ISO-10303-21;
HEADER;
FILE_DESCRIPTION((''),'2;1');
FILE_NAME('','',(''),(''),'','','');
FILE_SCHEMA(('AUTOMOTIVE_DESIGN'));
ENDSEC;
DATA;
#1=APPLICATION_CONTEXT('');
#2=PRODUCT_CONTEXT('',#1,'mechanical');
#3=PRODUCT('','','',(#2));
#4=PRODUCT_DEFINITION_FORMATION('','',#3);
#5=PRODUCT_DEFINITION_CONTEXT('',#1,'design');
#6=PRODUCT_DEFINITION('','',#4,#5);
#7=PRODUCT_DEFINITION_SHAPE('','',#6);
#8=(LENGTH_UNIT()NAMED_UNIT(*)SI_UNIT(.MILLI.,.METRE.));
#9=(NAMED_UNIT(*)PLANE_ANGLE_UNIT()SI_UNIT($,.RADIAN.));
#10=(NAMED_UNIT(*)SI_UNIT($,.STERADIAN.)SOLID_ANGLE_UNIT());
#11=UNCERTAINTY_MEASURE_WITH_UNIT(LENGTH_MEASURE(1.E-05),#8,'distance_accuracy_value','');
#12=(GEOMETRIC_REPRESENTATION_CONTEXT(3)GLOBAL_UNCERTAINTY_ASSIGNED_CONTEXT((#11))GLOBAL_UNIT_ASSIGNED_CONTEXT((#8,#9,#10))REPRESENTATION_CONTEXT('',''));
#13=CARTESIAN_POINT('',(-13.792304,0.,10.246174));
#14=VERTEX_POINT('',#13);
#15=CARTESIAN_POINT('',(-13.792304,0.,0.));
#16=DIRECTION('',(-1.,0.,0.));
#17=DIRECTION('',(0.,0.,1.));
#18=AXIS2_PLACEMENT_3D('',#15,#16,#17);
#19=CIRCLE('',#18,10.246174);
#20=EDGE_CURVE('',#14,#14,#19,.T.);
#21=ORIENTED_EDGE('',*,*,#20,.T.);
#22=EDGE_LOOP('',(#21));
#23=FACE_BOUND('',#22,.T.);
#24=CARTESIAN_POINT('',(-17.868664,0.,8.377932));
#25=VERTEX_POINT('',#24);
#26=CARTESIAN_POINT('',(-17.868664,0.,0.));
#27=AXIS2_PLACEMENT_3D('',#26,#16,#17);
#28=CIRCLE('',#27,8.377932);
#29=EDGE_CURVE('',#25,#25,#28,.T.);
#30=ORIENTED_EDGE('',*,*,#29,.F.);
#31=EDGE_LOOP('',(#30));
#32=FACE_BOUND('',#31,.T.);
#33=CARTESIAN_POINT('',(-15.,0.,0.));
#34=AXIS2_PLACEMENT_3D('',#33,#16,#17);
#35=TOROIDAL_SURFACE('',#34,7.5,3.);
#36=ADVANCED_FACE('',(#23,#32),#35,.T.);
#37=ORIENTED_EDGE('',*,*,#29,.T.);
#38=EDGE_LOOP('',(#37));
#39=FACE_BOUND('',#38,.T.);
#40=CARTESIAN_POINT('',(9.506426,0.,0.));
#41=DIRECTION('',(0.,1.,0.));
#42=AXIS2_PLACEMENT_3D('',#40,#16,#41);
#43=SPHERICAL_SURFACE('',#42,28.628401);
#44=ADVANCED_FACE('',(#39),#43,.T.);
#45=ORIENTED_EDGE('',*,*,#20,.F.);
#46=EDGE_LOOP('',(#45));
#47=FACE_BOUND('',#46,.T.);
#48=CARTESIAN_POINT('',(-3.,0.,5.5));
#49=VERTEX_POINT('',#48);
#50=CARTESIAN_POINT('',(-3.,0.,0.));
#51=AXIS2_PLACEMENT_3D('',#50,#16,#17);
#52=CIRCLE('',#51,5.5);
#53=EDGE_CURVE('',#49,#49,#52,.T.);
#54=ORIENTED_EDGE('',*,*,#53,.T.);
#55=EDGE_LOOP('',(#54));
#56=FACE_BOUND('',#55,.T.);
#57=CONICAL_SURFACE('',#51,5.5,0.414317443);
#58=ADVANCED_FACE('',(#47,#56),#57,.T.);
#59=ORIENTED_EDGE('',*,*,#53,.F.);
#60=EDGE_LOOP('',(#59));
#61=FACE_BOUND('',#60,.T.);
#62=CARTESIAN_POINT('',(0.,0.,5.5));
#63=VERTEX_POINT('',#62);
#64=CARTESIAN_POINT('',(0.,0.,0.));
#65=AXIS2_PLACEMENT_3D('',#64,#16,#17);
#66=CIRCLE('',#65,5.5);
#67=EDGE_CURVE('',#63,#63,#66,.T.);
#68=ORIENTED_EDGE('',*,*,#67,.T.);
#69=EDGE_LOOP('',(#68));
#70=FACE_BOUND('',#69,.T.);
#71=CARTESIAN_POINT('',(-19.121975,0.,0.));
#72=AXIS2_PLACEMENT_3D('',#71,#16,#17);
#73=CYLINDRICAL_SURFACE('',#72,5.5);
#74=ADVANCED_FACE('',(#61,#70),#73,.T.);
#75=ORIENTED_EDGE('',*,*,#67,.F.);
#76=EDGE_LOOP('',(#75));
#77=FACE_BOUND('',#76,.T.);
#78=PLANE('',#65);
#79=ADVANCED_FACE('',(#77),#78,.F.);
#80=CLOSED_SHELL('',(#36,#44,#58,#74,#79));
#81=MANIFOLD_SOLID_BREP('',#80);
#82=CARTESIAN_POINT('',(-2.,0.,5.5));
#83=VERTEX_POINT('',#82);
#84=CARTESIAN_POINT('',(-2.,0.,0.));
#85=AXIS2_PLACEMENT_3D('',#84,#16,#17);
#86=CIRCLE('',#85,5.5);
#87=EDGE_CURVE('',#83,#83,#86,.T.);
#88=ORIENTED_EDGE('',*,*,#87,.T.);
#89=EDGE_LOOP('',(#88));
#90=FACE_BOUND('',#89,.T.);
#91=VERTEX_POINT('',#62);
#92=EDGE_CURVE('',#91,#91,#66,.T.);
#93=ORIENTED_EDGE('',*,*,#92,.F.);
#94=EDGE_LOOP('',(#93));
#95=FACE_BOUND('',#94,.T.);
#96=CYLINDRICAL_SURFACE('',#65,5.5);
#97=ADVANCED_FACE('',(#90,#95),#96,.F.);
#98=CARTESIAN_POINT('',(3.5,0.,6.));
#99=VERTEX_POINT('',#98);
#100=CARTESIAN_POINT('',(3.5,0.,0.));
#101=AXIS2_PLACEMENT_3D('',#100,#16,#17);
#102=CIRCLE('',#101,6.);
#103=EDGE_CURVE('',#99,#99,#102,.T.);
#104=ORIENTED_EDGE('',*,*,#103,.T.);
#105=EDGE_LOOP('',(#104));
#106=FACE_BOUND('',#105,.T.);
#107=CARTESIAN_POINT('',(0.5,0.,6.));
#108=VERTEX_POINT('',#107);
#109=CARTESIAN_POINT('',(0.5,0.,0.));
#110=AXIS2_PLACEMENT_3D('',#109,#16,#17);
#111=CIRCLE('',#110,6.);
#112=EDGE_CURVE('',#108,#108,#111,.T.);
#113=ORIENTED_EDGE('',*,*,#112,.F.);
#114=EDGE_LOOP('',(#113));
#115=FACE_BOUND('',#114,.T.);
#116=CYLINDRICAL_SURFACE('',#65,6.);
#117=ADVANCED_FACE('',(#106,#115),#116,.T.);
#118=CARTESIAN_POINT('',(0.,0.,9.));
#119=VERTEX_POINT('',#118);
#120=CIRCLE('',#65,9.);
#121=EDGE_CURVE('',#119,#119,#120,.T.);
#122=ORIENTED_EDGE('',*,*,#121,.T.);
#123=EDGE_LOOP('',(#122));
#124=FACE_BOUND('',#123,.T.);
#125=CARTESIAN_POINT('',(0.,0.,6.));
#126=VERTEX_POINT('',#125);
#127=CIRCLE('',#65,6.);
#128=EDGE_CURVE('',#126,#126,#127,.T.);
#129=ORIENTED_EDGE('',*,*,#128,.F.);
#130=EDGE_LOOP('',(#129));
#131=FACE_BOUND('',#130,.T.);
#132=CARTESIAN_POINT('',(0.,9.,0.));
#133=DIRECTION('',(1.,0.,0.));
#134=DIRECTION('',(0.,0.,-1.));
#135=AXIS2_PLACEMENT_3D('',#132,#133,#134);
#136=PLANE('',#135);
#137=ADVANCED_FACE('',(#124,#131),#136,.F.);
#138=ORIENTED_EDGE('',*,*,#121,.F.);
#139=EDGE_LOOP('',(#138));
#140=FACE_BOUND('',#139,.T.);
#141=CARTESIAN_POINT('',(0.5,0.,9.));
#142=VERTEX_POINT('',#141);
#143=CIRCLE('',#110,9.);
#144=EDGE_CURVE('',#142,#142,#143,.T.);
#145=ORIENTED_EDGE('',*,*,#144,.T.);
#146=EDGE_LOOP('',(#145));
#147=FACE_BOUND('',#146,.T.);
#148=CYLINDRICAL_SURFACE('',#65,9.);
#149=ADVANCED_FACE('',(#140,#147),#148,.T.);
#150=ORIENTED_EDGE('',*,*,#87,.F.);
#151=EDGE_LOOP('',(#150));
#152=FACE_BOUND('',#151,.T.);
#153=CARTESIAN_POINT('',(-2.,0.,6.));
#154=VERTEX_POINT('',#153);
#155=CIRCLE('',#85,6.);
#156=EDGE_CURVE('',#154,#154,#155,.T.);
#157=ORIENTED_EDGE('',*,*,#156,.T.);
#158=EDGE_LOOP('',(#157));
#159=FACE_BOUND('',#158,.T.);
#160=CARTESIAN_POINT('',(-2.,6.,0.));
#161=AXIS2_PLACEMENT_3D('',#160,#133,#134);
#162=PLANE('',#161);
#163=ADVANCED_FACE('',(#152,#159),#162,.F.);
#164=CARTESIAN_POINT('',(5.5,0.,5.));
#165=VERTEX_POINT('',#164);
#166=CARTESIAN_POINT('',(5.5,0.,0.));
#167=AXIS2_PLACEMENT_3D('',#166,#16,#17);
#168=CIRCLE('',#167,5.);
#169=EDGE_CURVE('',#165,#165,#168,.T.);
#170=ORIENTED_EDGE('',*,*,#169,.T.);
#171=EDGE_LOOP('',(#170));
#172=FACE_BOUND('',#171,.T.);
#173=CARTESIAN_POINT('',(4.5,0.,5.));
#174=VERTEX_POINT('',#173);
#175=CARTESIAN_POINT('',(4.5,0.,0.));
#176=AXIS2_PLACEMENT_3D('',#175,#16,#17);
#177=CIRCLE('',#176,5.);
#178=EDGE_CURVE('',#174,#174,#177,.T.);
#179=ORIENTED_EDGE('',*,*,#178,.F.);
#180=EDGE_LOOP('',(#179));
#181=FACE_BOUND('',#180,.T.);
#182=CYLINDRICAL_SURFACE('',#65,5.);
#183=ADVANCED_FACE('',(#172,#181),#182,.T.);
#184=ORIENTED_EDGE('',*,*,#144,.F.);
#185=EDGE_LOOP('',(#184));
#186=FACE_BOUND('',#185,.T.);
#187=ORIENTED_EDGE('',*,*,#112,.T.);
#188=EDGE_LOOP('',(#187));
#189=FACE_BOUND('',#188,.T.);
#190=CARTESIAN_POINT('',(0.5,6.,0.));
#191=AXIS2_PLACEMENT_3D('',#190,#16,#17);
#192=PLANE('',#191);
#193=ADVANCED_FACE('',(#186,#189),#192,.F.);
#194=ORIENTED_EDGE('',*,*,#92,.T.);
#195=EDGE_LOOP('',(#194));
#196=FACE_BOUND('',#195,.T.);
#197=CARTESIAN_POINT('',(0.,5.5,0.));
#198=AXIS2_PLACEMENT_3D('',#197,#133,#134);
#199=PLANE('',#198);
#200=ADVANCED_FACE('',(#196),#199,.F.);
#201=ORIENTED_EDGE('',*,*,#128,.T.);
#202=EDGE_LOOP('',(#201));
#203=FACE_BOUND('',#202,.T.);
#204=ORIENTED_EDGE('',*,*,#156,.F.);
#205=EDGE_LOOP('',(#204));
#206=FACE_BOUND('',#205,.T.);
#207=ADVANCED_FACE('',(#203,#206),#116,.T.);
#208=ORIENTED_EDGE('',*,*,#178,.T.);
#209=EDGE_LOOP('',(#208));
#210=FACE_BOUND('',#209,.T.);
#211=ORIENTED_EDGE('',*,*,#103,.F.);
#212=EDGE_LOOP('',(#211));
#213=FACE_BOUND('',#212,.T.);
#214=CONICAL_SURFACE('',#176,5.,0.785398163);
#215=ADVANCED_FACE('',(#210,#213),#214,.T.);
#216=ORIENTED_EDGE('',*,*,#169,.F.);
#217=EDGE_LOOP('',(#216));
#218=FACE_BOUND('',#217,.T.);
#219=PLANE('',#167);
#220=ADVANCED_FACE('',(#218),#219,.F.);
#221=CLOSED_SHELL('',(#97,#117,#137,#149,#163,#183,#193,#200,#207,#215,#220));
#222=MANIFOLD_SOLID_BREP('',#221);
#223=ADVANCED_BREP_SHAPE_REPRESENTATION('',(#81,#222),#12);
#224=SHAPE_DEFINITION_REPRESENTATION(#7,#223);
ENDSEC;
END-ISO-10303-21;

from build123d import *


with BuildPart() as part:
    # Sketch2 → Revolve1 (revolve)
    with BuildSketch(Plane.XY, mode=Mode.PRIVATE) as revolve1_sk:
        Polygon((0, 0), (5.5, 0), (5.5, 5), (4.5, 5), (3.5, 6), (0.5, 6), (0.5, 9), (0, 9), (0, 6), (-2, 6), (-2, 5.5), (0, 5.5), align=None)
    revolve(revolve1_sk.sketch.rotate(Axis((0, 0, 0), (1, 0, 0)), 90), axis=Axis((0, 0, 0), (1, 0, 0)))


with BuildPart() as body_2:
    # Sketch3 → Revolve2 (revolve)
    with BuildSketch(Plane.XY, mode=Mode.PRIVATE) as revolve2_sk:
        with BuildLine():
            Line((0, 5.5), (-3, 5.5))
            Line((-3, 5.5), (-13.792304346, 10.246173922))
            ThreePointArc((-13.792304346, 10.246173922), (-16.249914373, 10.227217274), (-17.868664312, 8.377932268))
            ThreePointArc((-17.868664312, 8.377932268), (-18.806913336, 4.235579525), (-19.121974552, 0))
            Line((-19.121974552, 0), (0, 0))
            Line((0, 0), (0, 5.5))
        make_face()
    revolve(revolve2_sk.sketch.rotate(Axis((-19.121974552, 0, 0), (1, 0, 0)), 90), axis=Axis((-19.121974552, 0, 0), (1, 0, 0)))


solid = Compound([part.part, body_2.part])
